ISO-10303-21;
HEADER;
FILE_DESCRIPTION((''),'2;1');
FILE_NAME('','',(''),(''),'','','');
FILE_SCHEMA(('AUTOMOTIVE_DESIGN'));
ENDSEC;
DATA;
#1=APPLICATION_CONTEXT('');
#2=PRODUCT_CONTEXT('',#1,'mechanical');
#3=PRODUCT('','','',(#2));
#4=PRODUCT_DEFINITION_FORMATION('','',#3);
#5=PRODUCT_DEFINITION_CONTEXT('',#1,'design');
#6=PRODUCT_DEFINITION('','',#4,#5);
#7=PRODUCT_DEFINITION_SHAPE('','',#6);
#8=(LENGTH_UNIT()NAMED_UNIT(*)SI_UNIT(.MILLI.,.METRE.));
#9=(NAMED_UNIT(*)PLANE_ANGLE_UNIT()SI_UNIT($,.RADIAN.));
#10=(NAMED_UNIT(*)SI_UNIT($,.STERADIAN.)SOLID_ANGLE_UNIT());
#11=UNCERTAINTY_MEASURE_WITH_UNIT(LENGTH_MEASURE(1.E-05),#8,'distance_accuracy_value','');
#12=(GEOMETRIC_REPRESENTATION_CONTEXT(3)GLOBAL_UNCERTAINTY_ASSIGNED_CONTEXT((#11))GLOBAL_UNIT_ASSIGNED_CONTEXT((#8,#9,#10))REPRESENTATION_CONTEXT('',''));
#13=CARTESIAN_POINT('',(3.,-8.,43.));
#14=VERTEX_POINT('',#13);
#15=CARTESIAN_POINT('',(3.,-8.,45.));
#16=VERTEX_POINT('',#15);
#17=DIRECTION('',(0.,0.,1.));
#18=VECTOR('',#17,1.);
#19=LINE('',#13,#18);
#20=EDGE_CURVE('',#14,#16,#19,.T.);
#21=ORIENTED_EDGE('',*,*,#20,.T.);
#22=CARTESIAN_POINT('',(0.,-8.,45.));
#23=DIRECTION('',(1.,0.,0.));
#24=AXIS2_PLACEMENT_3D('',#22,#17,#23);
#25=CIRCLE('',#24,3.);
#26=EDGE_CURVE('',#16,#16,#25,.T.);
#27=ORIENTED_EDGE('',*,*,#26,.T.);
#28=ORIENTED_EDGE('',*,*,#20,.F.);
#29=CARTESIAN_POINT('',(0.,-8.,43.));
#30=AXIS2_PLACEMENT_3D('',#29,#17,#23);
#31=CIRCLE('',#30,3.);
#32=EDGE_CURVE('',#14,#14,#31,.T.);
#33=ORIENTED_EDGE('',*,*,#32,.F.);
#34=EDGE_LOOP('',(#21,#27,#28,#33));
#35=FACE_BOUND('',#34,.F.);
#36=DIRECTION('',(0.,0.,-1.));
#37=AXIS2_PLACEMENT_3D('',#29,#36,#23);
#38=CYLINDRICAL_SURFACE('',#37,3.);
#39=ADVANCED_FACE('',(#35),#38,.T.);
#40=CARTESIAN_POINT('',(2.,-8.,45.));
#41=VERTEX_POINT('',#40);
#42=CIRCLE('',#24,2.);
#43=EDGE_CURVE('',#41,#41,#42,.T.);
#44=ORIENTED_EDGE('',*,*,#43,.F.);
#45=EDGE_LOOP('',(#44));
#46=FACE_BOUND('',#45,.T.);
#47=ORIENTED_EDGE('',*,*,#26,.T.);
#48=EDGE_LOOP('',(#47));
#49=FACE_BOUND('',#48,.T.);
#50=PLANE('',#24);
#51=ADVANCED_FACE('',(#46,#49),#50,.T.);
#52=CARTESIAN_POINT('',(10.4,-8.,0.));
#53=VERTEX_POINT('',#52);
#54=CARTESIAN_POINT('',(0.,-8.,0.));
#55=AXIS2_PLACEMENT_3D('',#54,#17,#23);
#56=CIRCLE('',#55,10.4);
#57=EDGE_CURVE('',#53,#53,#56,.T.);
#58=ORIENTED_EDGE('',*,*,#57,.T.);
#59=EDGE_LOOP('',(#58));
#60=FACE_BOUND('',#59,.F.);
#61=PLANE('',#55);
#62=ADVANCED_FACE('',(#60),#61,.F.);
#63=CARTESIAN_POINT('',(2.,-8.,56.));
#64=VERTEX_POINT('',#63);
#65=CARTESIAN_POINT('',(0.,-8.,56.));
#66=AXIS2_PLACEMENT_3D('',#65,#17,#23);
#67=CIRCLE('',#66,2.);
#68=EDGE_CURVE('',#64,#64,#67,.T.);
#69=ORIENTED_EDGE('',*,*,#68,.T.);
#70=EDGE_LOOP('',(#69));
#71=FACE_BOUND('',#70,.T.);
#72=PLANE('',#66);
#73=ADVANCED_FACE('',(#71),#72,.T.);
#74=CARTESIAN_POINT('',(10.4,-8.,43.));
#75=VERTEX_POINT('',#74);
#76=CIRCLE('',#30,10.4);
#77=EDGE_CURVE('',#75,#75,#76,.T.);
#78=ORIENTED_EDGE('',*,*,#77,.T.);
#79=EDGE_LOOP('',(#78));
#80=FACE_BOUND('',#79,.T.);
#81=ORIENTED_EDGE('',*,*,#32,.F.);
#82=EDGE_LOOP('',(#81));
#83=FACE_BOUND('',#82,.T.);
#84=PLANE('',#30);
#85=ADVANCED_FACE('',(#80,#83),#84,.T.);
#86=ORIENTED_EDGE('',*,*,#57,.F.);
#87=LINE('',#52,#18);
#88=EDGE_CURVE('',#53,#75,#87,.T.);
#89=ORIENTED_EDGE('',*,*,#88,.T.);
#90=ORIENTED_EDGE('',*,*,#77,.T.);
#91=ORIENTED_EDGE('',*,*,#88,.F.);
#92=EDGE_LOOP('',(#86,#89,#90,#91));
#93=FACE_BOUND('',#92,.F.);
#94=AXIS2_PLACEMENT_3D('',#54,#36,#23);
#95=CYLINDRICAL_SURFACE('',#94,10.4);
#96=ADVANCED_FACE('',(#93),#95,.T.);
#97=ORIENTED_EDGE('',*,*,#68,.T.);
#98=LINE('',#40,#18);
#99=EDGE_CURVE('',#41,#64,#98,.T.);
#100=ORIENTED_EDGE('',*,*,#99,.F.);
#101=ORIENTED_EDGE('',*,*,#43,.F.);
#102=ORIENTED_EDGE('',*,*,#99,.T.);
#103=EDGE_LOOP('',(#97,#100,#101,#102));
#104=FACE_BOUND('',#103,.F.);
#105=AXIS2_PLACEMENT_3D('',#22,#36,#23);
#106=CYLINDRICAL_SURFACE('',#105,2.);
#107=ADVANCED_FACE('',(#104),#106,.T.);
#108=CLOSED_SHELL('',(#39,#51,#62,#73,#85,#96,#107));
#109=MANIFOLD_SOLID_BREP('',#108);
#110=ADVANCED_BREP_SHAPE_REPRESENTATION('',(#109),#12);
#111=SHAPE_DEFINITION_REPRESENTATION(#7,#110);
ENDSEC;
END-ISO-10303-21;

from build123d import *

# Parameters (mm, degrees)
SKETCH_R     = 10.4
PAD_DEPTH    = 43
SKETCH001_R  = 3
PAD001_DEPTH = 2
SKETCH002_R  = 2
PAD002_DEPTH = 11


with BuildPart() as part:
    # Sketch → Pad (new body)
    with BuildSketch(Plane.XY):
        Circle(SKETCH_R)
    extrude(amount=PAD_DEPTH)

    # Sketch001 (on Face3 of Pad) → Pad001 (join)
    with BuildSketch(Plane.XY.offset(43)):
        Circle(SKETCH001_R)
    extrude(amount=PAD001_DEPTH)

    # Sketch002 (on Face5 of Pad001) → Pad002 (join)
    with BuildSketch(Plane.XY.offset(45)):
        Circle(SKETCH002_R)
    extrude(amount=PAD002_DEPTH)


with BuildPart() as part_1:
    # Body placement: moved
    add(part.part.moved(Location((0, -8, 0))))


solid = part_1.part
